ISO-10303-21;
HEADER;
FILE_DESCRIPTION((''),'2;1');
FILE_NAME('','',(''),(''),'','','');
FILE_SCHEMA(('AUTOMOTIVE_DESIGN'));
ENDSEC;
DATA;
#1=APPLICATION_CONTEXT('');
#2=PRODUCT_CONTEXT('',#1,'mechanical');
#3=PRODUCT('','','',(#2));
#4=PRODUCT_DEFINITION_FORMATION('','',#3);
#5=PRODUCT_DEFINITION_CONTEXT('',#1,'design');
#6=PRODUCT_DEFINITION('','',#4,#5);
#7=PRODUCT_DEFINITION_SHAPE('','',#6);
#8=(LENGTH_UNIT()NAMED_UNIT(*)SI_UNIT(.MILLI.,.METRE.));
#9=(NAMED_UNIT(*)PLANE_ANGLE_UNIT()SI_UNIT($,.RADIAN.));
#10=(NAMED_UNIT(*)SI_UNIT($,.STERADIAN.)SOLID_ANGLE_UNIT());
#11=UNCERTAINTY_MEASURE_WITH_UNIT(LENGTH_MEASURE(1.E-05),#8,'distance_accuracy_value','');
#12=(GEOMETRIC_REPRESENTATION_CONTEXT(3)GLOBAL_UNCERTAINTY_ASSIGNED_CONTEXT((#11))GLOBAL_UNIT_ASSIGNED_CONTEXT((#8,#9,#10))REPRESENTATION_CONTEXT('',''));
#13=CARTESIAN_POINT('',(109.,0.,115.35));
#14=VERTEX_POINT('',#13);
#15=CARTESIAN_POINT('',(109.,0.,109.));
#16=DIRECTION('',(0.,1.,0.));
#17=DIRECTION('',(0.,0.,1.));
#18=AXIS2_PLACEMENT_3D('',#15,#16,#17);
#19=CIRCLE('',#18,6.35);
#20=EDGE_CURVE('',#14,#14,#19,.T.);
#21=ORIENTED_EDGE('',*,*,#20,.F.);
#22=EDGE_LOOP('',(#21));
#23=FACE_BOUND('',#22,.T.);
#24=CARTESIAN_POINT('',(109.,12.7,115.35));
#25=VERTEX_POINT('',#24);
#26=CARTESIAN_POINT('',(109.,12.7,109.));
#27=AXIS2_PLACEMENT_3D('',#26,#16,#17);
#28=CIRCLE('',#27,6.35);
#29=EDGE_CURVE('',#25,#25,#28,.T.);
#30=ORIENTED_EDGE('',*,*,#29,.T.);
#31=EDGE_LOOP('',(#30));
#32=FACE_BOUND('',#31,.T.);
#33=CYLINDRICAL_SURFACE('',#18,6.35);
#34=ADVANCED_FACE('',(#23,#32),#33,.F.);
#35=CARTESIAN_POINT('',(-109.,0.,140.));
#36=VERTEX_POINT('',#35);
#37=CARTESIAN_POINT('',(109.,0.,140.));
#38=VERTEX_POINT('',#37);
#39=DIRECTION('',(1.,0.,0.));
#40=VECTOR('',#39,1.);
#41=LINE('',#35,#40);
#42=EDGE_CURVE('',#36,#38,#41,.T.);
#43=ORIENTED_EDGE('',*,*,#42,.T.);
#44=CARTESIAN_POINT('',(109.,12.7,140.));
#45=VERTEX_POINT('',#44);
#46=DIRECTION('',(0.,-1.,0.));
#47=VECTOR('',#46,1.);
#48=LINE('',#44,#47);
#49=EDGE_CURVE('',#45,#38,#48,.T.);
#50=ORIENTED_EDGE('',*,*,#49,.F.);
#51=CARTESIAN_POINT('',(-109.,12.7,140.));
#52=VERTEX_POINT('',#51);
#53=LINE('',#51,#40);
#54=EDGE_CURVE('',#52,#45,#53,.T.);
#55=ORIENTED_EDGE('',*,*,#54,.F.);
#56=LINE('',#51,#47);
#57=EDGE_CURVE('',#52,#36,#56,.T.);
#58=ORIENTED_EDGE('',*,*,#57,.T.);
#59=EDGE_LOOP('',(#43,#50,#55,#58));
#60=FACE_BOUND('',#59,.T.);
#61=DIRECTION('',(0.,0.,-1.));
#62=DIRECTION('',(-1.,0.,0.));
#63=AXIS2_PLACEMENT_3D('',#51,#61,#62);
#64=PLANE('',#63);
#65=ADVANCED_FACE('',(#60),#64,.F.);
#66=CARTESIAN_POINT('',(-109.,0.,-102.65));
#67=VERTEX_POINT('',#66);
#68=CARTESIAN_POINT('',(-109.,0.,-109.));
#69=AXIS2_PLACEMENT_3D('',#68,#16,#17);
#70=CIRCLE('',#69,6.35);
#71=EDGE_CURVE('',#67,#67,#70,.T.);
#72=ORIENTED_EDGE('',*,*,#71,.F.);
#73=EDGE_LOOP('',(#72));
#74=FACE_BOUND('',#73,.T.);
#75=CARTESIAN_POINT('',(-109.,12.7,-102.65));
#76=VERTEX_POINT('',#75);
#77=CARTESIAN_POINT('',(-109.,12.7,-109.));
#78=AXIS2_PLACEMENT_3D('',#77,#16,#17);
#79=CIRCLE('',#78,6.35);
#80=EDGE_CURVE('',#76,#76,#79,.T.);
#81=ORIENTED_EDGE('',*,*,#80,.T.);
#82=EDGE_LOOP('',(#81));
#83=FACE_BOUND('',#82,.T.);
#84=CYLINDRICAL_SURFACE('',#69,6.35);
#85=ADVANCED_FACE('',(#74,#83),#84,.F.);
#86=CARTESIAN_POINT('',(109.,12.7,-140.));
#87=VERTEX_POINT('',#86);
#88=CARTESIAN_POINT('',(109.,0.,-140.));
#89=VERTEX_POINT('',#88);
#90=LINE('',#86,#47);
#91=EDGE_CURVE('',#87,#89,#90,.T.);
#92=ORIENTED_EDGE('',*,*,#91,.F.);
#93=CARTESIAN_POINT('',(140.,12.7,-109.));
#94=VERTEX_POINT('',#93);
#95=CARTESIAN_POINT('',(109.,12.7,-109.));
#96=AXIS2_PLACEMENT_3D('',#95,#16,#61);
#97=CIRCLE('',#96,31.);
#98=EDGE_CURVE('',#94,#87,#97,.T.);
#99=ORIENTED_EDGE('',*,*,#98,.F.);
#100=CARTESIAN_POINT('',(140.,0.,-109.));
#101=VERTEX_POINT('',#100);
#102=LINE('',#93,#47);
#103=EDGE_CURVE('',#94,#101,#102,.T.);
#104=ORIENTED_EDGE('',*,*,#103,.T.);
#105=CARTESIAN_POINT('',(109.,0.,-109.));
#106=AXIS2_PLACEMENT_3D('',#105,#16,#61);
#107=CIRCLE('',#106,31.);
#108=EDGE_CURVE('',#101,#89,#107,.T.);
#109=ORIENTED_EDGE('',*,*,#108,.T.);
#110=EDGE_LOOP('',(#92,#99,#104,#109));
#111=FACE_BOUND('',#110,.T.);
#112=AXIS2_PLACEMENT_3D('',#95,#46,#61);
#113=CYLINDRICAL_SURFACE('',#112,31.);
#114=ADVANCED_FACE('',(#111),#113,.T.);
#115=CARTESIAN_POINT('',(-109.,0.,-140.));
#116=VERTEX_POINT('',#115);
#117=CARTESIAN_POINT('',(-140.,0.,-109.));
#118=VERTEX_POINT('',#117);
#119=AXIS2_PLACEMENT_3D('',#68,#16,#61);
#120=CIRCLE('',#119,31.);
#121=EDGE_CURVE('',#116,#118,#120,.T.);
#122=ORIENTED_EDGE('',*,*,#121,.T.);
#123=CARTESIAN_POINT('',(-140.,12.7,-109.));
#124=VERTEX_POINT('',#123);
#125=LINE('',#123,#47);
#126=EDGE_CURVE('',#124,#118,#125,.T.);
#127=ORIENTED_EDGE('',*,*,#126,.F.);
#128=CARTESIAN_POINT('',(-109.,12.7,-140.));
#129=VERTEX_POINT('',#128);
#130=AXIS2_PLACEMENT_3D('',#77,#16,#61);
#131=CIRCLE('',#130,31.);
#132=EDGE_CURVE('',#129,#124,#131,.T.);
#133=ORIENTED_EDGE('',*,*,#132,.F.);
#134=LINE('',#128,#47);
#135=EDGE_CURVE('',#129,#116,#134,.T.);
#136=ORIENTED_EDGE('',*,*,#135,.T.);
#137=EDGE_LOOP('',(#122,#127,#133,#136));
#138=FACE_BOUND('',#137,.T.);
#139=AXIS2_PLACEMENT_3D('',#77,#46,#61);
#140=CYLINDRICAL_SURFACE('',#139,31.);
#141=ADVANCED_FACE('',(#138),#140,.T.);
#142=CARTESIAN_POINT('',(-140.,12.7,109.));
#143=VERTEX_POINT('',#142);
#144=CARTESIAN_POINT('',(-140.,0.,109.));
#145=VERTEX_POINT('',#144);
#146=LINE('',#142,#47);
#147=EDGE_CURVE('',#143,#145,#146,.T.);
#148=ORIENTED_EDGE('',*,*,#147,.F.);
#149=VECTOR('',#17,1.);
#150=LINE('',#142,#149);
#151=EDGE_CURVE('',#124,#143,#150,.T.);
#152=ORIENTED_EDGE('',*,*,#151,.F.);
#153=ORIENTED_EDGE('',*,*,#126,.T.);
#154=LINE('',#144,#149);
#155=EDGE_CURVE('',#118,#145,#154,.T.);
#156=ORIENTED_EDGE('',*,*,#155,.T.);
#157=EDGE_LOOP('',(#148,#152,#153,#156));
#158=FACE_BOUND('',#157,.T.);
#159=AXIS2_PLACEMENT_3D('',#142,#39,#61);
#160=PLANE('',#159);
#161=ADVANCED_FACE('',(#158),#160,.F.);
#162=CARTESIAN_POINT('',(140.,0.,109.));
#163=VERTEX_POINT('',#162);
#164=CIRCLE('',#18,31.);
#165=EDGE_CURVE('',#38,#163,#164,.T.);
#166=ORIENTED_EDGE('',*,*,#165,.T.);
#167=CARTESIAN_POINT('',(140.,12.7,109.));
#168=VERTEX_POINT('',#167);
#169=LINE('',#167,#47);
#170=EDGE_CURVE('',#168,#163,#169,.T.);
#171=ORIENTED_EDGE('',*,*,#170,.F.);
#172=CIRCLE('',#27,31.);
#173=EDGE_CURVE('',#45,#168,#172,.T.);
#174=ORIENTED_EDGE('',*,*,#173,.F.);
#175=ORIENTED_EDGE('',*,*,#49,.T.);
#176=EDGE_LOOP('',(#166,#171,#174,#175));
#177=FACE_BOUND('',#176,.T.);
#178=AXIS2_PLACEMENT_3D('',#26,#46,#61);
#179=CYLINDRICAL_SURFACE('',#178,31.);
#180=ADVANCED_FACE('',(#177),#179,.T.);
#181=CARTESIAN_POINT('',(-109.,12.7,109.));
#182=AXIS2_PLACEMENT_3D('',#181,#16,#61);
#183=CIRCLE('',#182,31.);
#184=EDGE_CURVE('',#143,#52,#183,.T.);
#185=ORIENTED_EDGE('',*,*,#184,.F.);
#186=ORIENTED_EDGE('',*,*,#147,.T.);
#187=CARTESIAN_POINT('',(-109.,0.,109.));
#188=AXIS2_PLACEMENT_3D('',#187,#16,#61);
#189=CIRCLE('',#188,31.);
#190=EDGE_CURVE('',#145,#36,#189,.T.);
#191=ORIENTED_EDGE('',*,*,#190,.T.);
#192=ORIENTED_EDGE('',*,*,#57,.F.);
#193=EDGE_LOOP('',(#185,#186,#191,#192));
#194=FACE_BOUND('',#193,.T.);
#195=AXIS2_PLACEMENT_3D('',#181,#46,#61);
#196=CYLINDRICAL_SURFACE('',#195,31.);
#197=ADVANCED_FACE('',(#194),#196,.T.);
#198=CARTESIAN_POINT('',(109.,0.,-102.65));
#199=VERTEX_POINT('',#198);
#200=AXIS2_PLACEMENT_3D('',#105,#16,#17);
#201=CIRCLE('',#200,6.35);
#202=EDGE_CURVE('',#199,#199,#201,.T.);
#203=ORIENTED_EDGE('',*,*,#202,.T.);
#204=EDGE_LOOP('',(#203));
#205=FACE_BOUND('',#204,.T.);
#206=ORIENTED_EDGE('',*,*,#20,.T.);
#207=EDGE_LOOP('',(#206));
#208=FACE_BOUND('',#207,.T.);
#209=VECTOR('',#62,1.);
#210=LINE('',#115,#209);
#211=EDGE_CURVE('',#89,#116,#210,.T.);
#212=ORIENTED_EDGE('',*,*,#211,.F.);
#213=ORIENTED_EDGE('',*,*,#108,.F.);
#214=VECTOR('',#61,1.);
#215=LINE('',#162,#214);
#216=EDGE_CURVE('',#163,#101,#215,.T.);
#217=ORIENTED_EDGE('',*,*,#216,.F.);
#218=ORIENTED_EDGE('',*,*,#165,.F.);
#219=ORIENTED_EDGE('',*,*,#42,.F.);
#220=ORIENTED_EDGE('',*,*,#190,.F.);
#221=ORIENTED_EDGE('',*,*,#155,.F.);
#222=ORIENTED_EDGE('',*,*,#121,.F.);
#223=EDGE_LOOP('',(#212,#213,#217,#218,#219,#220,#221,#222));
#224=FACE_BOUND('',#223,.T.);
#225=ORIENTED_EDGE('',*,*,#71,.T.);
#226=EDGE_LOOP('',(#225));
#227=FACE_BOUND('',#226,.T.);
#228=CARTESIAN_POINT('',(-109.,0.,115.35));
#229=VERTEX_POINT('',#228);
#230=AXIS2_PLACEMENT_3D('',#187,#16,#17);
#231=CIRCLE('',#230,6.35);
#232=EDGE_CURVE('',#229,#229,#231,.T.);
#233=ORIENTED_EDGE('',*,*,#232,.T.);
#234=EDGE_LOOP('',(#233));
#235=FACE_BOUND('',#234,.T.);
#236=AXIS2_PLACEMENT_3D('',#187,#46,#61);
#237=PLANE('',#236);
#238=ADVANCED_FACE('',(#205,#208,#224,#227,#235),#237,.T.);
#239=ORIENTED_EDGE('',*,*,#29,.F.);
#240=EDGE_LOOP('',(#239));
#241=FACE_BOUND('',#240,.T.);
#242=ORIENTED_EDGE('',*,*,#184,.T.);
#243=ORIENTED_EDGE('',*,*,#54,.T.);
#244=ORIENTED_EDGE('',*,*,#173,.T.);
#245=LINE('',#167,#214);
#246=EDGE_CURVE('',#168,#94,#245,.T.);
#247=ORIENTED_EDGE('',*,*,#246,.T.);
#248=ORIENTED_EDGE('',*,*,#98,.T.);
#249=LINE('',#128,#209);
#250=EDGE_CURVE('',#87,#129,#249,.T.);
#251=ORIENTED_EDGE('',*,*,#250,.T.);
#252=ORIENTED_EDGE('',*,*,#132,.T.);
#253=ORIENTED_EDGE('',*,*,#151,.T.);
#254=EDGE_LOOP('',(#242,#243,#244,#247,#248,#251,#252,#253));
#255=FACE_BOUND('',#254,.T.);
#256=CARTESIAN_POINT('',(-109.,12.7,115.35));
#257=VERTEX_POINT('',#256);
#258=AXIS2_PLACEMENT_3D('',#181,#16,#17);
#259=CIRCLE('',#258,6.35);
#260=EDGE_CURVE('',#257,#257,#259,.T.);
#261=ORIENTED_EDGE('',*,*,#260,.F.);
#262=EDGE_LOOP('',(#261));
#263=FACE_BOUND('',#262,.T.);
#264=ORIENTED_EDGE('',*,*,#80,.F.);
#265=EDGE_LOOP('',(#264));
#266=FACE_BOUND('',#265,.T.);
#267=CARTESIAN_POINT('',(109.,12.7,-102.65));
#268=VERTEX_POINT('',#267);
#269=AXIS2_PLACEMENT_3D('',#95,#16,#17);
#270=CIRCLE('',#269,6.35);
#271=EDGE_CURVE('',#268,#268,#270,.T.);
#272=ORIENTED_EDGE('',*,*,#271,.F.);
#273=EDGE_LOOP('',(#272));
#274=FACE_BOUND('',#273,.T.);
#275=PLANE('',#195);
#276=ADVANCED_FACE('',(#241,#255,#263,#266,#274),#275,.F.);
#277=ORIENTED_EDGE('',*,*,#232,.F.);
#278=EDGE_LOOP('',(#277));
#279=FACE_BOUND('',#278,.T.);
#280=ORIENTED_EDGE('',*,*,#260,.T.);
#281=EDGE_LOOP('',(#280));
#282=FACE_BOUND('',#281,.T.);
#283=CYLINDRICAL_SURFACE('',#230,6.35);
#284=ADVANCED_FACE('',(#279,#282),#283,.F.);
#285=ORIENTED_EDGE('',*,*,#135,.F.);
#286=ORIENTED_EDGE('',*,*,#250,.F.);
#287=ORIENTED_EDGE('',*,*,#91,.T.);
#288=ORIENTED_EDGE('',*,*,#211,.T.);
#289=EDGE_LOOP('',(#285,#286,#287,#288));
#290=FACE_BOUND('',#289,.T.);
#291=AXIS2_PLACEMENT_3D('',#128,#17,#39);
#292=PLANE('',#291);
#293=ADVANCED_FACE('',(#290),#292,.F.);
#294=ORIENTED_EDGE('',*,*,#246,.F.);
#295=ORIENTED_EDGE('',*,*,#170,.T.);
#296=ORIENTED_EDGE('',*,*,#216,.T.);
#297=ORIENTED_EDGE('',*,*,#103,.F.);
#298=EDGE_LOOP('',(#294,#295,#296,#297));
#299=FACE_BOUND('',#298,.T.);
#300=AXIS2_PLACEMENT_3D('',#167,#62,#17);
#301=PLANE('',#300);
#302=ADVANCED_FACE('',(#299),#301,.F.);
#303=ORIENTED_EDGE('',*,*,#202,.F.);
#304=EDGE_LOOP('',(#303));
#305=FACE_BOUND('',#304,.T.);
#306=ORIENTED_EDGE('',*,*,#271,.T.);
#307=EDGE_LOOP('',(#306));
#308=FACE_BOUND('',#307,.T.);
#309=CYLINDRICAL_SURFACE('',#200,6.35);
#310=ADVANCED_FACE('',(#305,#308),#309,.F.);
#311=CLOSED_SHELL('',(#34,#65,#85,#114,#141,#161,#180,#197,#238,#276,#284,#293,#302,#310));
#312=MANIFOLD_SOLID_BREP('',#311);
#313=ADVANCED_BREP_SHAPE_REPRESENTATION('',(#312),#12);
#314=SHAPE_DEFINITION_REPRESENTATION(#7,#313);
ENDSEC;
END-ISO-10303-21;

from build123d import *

# Parameters (mm, degrees)
SALIENTE_EXTRUIR1_DEPTH = 12.7
CROQUIS2_R              = 6.35
CORTAR_EXTRUIR1_DEPTH   = 13.7


with BuildPart() as part:
    # Croquis1 → Saliente-Extruir1 (new body)
    with BuildSketch(Plane(origin=(0, 0, 0), x_dir=(1, 0, 0), z_dir=(0, 1, 0))):
        with BuildLine():
            Line((-109, -140), (109, -140))
            ThreePointArc((109, -140), (130.920310217, -130.920310217), (140, -109))
            Line((140, -109), (140, 109))
            ThreePointArc((140, 109), (130.920310217, 130.920310217), (109, 140))
            Line((109, 140), (-109, 140))
            ThreePointArc((-109, 140), (-130.920310217, 130.920310217), (-140, 109))
            Line((-140, 109), (-140, -109))
            ThreePointArc((-140, -109), (-130.920310217, -130.920310217), (-109, -140))
        make_face()
    extrude(amount=SALIENTE_EXTRUIR1_DEPTH)

    # Croquis2 → Cortar-Extruir1 (cut, through all)
    with BuildSketch(Plane(origin=(0, 12.7, 0), x_dir=(1, 0, 0), z_dir=(0, 1, 0))):
        with Locations((109, 109)):
            Circle(CROQUIS2_R)
        with Locations((109, -109)):
            Circle(CROQUIS2_R)
        with Locations((-109, -109)):
            Circle(CROQUIS2_R)
        with Locations((-109, 109)):
            Circle(CROQUIS2_R)
    extrude(amount=-CORTAR_EXTRUIR1_DEPTH, mode=Mode.SUBTRACT)


solid = part.part
